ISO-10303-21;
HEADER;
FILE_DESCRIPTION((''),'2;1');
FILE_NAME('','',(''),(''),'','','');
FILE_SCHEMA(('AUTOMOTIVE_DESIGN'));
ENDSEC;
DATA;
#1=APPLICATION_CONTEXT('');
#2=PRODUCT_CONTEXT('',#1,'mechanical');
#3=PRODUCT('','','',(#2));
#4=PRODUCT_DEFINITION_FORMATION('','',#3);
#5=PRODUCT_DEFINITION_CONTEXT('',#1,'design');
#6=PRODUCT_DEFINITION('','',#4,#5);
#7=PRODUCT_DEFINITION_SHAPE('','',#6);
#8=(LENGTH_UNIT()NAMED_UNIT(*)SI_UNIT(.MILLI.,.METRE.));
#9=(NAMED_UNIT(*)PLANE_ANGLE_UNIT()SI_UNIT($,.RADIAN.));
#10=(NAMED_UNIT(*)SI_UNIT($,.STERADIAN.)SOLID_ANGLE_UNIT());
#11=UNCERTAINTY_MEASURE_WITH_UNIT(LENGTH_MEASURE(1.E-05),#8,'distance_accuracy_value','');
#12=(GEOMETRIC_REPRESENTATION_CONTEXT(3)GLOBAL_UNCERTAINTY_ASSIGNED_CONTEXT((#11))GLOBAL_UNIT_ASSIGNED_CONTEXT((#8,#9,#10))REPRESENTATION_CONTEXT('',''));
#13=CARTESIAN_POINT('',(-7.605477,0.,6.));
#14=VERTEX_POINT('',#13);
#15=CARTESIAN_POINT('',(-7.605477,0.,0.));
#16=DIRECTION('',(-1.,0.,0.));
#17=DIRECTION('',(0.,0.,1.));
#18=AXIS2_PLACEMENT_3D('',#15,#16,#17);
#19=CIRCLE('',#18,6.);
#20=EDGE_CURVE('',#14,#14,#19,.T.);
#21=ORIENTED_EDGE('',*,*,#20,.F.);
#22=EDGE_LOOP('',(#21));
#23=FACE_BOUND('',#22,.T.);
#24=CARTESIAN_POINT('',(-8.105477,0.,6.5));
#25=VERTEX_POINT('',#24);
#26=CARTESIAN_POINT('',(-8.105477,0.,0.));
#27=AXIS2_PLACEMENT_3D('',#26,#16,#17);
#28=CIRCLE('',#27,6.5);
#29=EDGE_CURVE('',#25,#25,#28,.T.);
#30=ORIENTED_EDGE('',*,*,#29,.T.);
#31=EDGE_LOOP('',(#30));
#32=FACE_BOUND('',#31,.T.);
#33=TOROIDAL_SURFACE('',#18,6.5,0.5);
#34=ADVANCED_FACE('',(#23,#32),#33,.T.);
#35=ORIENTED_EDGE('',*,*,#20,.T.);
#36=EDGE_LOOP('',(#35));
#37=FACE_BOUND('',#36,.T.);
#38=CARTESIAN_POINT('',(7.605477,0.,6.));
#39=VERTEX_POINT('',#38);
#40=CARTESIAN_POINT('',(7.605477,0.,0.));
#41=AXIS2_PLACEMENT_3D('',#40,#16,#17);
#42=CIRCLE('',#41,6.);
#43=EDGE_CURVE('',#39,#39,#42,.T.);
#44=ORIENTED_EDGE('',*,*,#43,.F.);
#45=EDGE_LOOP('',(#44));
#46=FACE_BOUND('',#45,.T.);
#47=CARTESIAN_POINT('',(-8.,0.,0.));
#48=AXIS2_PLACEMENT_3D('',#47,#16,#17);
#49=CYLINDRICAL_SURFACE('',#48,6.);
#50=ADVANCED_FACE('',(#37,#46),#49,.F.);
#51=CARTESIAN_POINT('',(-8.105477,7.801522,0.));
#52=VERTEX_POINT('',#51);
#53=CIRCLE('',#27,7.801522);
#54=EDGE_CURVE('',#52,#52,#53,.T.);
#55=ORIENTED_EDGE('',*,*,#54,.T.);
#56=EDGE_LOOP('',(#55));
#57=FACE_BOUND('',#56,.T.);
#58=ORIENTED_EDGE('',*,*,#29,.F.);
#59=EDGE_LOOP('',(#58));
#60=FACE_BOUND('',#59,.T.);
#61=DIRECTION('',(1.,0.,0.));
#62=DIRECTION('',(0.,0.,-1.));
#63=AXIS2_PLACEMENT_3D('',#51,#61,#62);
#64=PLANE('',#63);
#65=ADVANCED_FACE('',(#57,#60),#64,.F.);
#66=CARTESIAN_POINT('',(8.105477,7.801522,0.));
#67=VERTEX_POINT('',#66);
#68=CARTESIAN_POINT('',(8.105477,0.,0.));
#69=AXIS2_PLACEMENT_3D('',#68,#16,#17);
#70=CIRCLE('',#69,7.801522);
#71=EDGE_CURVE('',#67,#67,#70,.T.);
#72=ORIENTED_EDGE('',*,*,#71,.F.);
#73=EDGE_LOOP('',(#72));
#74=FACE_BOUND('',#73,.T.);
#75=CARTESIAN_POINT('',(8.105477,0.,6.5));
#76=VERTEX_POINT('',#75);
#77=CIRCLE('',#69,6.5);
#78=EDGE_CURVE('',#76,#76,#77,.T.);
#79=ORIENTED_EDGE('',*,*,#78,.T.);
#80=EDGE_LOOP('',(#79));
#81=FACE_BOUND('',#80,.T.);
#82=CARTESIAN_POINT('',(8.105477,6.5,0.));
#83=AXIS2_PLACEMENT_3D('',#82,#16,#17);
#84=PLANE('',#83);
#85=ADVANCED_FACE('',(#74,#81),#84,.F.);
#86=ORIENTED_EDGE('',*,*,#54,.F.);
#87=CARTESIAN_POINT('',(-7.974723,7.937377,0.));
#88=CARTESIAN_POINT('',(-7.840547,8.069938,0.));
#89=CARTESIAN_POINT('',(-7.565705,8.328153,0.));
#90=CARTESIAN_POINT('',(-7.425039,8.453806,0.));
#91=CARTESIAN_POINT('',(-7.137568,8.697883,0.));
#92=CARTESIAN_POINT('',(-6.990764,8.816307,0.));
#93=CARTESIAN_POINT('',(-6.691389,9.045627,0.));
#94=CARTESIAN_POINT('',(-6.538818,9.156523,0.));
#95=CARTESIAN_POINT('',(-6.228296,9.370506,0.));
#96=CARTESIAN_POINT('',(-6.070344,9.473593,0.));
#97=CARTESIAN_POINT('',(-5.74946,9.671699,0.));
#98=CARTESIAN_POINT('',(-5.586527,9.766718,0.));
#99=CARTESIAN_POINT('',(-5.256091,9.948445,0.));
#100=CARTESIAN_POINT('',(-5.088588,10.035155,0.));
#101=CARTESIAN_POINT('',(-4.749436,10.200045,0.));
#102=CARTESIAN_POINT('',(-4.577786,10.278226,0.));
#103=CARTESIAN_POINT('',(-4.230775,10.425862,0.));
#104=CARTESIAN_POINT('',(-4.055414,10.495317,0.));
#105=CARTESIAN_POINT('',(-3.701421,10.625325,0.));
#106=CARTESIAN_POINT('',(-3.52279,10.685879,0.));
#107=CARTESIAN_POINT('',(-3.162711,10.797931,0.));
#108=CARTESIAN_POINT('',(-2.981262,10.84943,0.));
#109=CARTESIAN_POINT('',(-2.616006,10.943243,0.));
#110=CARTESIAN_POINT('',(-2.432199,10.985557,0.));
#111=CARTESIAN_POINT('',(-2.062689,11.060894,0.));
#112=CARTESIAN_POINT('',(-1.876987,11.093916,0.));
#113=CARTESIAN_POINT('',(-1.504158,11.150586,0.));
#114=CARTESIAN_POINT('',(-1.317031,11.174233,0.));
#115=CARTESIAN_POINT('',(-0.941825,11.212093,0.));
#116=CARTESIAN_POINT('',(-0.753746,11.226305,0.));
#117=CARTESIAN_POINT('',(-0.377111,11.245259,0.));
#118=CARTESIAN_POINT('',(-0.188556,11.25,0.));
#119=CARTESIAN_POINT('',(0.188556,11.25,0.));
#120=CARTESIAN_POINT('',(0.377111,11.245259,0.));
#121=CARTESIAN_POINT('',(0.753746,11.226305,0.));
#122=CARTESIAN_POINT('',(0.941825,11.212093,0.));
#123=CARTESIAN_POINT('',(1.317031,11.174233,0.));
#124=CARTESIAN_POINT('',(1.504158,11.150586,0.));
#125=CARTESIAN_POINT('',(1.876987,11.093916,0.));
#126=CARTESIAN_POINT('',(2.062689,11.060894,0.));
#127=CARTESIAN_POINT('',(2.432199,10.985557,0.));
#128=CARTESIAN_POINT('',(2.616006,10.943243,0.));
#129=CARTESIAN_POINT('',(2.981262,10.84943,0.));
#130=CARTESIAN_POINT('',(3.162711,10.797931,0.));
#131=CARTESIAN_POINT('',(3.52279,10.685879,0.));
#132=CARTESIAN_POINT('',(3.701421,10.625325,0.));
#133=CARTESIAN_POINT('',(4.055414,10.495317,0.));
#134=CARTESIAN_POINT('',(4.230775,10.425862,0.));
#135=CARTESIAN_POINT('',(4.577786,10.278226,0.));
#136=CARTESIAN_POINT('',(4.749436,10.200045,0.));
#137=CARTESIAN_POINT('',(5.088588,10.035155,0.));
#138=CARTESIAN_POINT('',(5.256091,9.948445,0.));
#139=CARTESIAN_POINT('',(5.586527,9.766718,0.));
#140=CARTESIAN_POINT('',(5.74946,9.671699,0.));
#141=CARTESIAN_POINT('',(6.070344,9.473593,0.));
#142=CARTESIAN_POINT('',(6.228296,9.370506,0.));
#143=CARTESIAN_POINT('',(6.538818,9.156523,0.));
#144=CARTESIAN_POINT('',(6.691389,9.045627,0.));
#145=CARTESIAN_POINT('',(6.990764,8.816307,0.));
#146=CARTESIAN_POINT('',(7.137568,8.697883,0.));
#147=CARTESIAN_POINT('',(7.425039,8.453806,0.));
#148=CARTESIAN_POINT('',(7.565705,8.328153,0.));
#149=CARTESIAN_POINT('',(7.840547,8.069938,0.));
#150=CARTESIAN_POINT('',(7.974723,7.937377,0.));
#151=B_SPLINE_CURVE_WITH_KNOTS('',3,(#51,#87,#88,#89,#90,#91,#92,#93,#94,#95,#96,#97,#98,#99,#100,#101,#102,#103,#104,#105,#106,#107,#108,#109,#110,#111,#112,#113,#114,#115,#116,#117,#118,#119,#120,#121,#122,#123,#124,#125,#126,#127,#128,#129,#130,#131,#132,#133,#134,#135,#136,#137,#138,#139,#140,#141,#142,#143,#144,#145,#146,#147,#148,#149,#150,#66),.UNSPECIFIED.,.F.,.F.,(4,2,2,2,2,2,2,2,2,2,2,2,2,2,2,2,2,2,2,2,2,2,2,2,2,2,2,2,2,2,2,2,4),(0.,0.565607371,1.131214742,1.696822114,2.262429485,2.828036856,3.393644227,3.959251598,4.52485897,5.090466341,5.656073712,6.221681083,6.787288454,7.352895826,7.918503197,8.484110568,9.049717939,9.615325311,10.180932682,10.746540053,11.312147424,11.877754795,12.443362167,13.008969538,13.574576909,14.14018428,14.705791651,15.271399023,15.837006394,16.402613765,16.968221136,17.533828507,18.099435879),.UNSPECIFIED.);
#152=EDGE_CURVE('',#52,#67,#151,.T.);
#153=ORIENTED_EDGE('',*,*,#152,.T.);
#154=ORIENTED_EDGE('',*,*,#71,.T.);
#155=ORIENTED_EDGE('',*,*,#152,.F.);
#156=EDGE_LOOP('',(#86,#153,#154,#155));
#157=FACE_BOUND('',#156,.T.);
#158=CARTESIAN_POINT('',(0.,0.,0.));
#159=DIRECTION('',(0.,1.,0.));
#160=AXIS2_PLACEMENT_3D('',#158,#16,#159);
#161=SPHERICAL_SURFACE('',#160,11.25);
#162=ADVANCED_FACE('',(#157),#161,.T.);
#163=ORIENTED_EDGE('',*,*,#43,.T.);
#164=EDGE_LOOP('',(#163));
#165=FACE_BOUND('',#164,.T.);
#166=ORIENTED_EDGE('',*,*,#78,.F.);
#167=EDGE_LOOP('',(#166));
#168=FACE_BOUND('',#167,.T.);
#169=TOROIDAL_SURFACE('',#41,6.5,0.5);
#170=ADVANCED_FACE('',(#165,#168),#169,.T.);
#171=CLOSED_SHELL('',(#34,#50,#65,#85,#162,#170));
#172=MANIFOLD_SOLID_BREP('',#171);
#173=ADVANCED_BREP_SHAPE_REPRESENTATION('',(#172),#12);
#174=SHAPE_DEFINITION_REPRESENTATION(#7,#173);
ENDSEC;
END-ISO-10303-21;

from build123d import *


with BuildPart() as part:
    # 스케치1 → 회전1 (revolve)
    with BuildSketch(Plane.XY, mode=Mode.PRIVATE) as revolve_1_sk:
        with BuildLine():
            Line((-8.1054771, 7.801521709), (-8.1054771, 6.5))
            ThreePointArc((-8.1054771, 6.5), (-7.959030491, 6.146446609), (-7.6054771, 6))
            Line((-7.6054771, 6), (7.6054771, 6))
            ThreePointArc((7.6054771, 6), (7.959030491, 6.146446609), (8.1054771, 6.5))
            Line((8.1054771, 6.5), (8.1054771, 7.801521709))
            ThreePointArc((8.1054771, 7.801521709), (0, 11.25), (-8.1054771, 7.801521709))
        make_face()
    revolve(revolve_1_sk.sketch.rotate(Axis((-8, 0, 0), (1, 0, 0)), 90), axis=Axis((-8, 0, 0), (1, 0, 0)))


solid = part.part
